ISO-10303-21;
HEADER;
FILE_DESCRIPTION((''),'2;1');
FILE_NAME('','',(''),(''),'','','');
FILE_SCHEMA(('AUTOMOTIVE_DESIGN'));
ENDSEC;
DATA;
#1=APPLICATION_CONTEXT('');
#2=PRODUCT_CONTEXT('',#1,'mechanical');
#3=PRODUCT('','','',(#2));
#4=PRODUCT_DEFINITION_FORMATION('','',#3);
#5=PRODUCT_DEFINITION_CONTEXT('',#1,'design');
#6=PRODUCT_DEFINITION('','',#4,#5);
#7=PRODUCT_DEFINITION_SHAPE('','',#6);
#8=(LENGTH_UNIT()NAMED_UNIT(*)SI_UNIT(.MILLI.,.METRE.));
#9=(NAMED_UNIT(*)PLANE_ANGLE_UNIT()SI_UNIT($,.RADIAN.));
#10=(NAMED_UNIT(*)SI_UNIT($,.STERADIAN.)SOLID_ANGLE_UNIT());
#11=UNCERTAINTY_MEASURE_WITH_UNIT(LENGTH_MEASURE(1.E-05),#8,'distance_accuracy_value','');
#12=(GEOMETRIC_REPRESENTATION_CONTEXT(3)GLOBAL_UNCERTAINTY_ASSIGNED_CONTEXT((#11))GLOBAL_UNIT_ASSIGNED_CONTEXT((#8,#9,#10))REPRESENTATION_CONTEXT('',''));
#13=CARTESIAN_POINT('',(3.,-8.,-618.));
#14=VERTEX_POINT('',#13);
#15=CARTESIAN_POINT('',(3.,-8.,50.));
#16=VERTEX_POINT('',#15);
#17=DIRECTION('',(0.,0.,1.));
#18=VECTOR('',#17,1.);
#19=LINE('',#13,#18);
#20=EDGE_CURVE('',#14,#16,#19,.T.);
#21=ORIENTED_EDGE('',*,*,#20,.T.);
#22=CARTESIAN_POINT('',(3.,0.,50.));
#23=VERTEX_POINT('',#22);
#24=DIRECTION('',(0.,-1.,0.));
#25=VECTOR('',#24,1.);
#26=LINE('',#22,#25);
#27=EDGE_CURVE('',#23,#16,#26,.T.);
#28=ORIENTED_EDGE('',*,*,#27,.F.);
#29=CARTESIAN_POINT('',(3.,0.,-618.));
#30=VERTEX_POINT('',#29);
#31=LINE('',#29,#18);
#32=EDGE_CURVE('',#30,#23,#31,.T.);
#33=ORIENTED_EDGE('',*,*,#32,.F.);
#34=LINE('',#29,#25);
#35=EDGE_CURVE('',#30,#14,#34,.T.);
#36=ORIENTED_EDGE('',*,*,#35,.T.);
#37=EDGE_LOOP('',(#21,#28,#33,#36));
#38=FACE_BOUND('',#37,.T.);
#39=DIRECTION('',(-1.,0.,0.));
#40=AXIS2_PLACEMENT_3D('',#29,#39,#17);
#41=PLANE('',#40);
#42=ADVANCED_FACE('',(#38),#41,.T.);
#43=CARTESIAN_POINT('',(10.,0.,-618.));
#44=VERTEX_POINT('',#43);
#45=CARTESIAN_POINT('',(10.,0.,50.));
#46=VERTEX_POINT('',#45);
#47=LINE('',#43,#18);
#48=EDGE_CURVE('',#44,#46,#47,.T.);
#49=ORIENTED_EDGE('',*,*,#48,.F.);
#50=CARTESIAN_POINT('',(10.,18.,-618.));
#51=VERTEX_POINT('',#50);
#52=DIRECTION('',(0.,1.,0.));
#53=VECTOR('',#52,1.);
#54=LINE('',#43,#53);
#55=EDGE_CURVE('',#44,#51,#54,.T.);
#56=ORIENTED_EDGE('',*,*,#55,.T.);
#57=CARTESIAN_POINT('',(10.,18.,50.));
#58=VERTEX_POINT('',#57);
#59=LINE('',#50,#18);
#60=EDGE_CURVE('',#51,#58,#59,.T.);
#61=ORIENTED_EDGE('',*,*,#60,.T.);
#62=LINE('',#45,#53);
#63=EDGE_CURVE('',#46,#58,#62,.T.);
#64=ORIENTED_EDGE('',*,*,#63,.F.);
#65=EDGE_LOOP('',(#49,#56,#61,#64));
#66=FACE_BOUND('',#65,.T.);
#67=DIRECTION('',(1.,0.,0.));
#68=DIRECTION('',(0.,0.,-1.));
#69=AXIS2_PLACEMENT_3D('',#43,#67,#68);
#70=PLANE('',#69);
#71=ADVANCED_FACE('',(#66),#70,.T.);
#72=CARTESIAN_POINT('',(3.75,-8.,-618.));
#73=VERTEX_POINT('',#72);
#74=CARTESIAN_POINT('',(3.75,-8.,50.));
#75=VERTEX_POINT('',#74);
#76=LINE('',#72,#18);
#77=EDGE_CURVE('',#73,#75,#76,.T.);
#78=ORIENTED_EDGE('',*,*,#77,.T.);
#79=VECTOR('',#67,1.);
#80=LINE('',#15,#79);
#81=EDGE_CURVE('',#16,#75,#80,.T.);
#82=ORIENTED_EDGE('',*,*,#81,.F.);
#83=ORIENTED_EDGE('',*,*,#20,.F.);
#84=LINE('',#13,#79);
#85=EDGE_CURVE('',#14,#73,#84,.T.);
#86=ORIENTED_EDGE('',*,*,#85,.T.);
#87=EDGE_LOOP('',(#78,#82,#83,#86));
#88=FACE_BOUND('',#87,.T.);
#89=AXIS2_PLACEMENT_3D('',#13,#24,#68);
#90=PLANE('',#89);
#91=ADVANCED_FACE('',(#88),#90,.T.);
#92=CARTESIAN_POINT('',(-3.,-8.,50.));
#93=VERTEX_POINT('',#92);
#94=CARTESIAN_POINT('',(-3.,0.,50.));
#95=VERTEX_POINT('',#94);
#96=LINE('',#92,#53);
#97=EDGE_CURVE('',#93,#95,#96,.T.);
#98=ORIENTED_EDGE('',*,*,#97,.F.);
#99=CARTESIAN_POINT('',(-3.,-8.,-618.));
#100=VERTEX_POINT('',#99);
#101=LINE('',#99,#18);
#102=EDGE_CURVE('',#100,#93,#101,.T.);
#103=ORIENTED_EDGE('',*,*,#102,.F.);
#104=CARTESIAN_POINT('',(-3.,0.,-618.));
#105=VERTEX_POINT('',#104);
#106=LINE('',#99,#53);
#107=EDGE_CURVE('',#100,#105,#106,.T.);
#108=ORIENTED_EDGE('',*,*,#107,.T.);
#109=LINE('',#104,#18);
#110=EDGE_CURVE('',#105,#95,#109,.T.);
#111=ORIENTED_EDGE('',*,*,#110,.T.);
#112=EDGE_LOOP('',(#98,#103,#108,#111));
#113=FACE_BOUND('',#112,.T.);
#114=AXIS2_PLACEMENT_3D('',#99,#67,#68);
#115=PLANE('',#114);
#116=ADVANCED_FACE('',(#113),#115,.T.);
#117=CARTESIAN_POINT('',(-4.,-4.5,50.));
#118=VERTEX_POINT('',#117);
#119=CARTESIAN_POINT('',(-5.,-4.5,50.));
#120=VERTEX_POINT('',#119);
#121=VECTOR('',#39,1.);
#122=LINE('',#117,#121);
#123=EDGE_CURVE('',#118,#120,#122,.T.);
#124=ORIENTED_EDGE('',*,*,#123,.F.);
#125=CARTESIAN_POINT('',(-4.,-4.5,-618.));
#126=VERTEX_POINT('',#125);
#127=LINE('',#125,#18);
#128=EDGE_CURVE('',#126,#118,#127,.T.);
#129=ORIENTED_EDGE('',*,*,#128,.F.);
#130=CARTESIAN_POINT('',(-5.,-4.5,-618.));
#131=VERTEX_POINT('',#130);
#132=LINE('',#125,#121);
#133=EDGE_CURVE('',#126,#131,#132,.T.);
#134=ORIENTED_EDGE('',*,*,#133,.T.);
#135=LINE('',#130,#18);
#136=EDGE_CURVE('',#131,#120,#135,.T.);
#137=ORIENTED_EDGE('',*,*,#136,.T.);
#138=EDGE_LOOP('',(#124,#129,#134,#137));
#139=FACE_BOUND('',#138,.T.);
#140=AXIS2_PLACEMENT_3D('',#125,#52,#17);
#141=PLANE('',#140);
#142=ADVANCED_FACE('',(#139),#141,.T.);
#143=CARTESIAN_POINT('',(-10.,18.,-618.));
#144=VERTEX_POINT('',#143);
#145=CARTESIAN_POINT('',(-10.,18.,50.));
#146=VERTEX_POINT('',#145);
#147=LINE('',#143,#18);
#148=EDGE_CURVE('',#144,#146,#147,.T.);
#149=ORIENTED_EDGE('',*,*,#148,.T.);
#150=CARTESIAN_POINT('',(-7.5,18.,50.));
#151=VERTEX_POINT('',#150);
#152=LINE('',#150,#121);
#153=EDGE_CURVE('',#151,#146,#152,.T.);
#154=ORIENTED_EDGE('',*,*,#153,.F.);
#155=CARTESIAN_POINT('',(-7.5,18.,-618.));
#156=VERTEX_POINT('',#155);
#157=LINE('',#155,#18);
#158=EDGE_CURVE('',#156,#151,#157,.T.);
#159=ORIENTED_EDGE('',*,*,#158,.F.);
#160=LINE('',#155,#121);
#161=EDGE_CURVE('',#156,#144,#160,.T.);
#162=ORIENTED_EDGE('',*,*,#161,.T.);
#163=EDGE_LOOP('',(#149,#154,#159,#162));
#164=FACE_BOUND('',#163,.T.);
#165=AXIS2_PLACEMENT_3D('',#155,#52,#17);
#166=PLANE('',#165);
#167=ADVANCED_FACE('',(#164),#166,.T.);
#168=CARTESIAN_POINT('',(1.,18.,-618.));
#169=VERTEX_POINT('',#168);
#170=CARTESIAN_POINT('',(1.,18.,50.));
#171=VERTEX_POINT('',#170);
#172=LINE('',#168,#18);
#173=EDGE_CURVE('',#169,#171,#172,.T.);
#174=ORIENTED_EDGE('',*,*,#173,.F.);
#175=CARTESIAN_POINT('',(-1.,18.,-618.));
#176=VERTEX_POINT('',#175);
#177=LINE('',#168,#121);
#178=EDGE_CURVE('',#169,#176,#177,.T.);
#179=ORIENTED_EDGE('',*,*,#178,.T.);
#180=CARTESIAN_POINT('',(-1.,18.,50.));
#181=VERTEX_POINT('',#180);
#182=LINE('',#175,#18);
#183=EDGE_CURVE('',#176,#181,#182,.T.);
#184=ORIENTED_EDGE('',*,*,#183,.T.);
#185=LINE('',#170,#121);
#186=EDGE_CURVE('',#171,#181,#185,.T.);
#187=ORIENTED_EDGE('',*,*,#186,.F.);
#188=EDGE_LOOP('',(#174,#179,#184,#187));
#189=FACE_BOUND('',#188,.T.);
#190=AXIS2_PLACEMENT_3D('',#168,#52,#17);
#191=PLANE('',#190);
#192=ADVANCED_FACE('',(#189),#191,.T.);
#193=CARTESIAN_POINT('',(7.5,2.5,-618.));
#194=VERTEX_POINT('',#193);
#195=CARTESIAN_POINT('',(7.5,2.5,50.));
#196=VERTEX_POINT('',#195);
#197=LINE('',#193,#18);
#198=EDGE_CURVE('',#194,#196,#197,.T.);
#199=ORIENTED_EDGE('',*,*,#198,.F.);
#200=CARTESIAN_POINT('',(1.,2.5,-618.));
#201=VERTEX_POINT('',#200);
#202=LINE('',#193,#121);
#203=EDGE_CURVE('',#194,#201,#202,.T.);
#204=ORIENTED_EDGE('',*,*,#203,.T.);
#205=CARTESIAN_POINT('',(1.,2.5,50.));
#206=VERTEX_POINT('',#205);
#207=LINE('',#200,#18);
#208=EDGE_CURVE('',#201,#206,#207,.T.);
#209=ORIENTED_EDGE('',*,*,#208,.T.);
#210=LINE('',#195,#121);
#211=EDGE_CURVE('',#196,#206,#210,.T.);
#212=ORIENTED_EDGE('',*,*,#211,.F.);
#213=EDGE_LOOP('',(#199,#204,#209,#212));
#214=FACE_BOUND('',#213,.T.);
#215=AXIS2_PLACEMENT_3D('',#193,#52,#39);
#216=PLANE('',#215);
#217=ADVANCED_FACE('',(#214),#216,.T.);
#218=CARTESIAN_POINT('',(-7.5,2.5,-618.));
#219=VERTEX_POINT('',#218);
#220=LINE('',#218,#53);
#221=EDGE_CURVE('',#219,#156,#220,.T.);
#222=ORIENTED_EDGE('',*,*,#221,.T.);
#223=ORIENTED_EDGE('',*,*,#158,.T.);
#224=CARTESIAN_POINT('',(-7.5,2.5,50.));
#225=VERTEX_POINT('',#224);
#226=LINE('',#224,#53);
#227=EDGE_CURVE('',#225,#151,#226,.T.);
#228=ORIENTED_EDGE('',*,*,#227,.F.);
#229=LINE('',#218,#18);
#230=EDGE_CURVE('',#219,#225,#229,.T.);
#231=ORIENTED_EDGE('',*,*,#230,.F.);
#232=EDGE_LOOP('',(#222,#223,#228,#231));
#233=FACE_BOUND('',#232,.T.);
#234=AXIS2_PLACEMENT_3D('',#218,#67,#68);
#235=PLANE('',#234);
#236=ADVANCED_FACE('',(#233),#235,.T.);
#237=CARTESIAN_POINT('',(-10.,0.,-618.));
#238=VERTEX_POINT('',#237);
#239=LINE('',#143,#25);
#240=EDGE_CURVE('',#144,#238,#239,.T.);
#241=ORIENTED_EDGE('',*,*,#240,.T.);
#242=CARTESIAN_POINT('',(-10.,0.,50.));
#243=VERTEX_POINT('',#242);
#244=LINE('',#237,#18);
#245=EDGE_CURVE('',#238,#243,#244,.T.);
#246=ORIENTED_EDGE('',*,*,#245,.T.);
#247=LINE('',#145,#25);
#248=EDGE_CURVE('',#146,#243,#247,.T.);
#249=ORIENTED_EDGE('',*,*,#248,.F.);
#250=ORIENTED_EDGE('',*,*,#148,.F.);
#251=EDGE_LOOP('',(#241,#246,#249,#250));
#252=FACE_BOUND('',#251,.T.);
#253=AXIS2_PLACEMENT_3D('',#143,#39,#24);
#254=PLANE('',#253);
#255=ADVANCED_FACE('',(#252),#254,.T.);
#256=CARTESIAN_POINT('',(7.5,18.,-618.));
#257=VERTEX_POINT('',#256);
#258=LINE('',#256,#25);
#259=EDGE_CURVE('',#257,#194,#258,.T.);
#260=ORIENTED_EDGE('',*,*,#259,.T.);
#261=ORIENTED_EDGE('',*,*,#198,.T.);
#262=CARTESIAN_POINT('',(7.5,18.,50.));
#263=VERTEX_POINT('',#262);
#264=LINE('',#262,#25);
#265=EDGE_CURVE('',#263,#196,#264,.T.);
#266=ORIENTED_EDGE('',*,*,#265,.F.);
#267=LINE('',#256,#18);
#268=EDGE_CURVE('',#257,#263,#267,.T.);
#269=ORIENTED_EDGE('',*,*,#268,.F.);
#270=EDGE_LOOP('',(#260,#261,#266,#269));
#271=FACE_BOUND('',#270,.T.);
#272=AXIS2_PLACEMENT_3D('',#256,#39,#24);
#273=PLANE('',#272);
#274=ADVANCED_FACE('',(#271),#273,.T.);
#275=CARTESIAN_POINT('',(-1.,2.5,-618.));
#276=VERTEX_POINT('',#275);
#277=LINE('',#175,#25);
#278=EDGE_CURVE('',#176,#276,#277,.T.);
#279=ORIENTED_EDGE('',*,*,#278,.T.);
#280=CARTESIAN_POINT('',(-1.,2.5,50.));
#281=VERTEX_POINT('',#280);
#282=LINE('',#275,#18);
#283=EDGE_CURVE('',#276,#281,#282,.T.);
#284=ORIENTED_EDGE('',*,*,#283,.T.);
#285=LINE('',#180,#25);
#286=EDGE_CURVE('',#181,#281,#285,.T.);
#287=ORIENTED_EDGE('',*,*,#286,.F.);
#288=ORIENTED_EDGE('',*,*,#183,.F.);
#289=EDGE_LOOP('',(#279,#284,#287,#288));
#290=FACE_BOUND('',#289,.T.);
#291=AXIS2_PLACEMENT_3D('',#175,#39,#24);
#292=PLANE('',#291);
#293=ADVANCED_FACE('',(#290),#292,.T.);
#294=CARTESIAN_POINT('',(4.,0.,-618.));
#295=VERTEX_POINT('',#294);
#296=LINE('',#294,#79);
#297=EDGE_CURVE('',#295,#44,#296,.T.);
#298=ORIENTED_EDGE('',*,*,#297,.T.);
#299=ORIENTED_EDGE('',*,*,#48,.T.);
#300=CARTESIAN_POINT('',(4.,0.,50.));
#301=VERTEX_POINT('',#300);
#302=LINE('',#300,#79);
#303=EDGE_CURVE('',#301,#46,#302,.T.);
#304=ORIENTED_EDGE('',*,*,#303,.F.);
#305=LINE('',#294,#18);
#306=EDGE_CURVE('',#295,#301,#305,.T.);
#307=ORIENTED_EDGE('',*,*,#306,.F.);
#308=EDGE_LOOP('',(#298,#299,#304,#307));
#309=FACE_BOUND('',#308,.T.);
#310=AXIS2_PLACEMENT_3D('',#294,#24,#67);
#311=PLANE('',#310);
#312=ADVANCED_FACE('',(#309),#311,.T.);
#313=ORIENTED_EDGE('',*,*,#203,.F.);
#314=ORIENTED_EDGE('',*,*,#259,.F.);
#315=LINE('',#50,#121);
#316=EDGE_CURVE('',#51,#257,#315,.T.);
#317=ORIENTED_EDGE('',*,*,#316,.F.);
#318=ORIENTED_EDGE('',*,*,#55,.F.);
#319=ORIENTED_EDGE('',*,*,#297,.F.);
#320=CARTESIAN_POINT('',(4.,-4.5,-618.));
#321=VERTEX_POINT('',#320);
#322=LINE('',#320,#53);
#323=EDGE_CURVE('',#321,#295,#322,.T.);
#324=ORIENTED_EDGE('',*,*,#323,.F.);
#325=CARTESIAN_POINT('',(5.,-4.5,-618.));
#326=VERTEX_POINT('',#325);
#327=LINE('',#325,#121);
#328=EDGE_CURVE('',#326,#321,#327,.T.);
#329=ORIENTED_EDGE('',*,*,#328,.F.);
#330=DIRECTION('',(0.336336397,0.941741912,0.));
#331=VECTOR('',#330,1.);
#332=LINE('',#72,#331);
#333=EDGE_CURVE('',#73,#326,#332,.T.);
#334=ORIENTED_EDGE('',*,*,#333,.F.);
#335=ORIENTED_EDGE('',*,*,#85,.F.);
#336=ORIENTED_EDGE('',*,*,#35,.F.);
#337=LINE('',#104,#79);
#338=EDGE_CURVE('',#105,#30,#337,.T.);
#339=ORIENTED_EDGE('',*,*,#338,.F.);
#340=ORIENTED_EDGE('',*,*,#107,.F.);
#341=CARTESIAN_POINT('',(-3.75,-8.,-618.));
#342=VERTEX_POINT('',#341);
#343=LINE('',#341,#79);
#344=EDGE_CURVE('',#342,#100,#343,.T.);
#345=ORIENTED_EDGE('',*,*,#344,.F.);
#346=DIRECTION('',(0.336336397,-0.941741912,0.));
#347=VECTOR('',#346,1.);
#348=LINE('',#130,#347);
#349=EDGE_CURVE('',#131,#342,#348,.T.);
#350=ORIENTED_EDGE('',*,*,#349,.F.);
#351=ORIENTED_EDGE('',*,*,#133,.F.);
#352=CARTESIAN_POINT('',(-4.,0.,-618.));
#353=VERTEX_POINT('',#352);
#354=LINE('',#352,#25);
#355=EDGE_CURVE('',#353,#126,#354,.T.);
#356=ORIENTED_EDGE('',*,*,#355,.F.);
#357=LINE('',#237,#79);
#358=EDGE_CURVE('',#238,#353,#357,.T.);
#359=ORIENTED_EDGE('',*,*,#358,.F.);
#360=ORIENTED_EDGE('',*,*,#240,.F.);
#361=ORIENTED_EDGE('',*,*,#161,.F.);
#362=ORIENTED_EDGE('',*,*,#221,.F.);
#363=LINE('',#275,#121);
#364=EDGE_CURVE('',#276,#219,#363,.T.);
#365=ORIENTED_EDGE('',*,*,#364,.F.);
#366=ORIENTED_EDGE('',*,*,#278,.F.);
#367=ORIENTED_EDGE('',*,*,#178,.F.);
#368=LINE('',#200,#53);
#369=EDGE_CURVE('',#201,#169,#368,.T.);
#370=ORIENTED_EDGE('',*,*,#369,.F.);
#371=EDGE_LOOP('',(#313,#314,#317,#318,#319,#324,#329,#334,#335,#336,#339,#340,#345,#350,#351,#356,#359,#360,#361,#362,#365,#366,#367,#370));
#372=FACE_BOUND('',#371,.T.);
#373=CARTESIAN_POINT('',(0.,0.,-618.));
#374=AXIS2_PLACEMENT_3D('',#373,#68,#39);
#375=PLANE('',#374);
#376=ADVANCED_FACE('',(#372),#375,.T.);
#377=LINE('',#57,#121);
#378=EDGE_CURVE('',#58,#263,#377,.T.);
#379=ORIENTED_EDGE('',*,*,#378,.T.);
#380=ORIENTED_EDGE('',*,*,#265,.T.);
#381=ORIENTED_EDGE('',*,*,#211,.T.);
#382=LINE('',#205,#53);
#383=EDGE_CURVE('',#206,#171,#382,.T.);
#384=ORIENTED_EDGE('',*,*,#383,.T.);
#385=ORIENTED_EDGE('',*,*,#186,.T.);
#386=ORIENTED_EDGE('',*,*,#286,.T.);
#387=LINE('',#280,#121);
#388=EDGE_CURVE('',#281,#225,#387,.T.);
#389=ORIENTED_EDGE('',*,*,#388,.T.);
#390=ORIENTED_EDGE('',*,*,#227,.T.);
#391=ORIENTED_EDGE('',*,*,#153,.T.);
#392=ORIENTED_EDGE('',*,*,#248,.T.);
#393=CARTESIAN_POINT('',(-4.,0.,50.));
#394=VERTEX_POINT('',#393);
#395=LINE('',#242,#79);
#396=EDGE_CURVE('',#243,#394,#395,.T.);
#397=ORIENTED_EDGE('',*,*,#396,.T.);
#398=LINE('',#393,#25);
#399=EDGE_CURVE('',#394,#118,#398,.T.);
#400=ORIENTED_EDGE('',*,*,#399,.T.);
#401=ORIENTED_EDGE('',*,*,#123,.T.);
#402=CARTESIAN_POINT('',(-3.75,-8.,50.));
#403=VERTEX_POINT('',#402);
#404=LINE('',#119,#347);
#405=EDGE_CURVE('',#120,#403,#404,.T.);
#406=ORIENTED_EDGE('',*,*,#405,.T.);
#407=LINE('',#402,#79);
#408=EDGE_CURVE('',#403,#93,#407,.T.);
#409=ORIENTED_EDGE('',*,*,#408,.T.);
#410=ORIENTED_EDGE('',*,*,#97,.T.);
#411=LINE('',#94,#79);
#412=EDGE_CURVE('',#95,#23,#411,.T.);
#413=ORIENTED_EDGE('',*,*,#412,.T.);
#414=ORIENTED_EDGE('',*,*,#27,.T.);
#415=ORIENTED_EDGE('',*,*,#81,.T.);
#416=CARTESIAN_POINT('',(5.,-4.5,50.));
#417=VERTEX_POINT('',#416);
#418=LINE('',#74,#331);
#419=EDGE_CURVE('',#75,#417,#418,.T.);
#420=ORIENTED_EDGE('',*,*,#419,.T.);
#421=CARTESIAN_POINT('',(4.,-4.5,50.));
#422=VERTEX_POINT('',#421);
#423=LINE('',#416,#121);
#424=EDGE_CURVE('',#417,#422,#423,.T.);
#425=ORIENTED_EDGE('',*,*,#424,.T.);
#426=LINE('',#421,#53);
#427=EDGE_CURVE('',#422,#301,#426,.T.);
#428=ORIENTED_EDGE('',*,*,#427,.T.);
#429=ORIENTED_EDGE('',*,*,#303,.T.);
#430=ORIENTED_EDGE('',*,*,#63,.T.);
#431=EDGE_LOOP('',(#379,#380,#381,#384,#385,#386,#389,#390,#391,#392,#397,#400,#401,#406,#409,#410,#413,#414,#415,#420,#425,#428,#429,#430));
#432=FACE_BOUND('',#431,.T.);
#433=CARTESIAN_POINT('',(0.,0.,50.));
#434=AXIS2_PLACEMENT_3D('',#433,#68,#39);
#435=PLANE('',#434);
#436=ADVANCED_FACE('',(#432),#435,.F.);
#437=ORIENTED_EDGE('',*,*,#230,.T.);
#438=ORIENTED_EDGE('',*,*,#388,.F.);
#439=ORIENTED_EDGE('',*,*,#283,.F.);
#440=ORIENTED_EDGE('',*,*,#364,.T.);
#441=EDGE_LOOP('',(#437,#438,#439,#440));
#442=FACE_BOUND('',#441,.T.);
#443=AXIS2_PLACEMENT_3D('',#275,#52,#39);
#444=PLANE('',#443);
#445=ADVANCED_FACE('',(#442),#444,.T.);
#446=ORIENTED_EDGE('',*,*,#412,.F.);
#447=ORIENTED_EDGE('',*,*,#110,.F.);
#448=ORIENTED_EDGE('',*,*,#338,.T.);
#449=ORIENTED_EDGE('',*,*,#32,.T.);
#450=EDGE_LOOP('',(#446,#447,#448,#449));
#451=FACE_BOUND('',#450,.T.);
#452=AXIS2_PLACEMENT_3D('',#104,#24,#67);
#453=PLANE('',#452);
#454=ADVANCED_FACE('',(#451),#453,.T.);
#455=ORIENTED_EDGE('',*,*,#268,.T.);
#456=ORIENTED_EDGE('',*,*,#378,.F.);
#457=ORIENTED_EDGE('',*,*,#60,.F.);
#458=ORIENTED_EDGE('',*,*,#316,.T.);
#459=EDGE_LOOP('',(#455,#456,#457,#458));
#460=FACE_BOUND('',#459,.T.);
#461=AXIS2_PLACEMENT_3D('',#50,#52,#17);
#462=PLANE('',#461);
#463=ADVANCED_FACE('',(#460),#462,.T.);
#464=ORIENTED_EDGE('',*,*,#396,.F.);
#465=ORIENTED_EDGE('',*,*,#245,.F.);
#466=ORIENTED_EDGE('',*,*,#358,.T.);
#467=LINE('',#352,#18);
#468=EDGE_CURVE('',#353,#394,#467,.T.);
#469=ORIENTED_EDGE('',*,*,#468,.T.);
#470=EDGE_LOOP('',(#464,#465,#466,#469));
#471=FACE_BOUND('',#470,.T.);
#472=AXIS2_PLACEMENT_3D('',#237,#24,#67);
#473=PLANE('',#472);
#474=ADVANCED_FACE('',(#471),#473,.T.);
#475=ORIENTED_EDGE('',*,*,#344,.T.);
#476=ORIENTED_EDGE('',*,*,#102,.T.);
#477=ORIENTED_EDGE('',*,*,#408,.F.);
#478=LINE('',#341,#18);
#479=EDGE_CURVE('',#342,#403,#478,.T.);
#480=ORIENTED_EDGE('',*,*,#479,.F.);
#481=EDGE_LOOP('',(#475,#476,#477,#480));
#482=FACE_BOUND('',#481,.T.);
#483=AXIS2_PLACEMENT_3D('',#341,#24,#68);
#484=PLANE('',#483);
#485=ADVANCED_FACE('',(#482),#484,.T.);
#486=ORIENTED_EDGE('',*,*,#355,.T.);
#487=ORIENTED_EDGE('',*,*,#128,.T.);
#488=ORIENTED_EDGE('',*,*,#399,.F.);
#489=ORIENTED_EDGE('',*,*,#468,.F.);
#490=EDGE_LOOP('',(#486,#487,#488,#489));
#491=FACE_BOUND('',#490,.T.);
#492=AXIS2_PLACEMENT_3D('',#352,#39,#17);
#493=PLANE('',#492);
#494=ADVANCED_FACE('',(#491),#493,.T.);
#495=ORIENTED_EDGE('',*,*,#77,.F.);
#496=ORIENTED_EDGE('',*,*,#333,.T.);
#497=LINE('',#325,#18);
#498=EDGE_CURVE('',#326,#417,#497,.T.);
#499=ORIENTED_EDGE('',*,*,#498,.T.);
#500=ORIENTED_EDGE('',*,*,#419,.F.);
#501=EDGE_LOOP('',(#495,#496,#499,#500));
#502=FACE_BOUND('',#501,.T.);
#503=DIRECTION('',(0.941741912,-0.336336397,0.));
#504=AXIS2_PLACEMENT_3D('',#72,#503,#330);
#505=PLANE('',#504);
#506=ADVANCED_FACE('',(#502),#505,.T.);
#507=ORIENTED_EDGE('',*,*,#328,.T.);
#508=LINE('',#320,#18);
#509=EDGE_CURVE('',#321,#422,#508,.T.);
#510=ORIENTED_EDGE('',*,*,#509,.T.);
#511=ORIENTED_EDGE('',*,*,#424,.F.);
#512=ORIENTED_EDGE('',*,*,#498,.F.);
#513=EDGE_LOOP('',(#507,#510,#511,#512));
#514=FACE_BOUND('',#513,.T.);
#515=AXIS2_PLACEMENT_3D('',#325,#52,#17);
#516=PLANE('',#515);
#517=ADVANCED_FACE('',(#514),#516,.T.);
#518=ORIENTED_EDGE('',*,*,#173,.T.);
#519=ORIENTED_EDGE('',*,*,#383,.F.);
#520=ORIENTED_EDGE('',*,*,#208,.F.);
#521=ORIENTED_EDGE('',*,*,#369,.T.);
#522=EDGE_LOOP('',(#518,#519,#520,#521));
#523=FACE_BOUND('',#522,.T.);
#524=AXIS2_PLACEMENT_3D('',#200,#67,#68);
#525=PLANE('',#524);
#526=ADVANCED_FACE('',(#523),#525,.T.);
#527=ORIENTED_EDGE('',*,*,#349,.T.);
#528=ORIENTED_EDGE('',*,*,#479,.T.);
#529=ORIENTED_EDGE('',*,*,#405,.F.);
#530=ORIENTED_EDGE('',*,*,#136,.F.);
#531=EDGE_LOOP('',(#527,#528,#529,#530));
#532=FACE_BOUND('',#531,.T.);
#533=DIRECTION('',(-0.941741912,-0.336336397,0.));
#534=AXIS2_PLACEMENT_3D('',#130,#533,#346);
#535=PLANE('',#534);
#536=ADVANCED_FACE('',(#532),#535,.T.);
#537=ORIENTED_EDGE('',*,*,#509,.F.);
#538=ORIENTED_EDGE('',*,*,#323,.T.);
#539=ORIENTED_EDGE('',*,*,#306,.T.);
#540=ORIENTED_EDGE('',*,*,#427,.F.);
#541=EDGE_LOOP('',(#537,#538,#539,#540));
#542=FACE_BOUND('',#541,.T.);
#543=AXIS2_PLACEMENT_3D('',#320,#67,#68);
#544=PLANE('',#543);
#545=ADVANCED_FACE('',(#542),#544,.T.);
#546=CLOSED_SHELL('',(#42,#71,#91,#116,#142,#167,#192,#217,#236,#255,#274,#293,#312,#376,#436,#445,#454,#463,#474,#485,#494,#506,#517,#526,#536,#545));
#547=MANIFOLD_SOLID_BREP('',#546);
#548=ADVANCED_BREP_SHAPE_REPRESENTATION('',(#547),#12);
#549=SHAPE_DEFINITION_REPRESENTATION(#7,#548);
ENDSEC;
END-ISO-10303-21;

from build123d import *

# Parameters (mm, degrees)
BOSS_EXTRU_1_DEPTH = 668


with BuildPart() as part:
    # Esquisse1 → Boss.-Extru.1 (new body)
    with BuildSketch(Plane.XY.offset(50)):
        Polygon((-1, 2.5), (-7.5, 2.5), (-7.5, 17.999999998), (-10, 17.999999998), (-10, 0), (-4, 0), (-4, -4.5), (-5, -4.5), (-3.75, -8), (-3, -8), (-3, 0), (3, 0), (3, -8), (3.75, -8), (5, -4.5), (4, -4.5), (4, 0), (10, 0), (10, 17.999999998), (7.5, 17.999999998), (7.5, 2.5), (1, 2.5), (1, 17.999999998), (-1, 17.999999998), align=None)
    extrude(amount=-BOSS_EXTRU_1_DEPTH)


solid = part.part
